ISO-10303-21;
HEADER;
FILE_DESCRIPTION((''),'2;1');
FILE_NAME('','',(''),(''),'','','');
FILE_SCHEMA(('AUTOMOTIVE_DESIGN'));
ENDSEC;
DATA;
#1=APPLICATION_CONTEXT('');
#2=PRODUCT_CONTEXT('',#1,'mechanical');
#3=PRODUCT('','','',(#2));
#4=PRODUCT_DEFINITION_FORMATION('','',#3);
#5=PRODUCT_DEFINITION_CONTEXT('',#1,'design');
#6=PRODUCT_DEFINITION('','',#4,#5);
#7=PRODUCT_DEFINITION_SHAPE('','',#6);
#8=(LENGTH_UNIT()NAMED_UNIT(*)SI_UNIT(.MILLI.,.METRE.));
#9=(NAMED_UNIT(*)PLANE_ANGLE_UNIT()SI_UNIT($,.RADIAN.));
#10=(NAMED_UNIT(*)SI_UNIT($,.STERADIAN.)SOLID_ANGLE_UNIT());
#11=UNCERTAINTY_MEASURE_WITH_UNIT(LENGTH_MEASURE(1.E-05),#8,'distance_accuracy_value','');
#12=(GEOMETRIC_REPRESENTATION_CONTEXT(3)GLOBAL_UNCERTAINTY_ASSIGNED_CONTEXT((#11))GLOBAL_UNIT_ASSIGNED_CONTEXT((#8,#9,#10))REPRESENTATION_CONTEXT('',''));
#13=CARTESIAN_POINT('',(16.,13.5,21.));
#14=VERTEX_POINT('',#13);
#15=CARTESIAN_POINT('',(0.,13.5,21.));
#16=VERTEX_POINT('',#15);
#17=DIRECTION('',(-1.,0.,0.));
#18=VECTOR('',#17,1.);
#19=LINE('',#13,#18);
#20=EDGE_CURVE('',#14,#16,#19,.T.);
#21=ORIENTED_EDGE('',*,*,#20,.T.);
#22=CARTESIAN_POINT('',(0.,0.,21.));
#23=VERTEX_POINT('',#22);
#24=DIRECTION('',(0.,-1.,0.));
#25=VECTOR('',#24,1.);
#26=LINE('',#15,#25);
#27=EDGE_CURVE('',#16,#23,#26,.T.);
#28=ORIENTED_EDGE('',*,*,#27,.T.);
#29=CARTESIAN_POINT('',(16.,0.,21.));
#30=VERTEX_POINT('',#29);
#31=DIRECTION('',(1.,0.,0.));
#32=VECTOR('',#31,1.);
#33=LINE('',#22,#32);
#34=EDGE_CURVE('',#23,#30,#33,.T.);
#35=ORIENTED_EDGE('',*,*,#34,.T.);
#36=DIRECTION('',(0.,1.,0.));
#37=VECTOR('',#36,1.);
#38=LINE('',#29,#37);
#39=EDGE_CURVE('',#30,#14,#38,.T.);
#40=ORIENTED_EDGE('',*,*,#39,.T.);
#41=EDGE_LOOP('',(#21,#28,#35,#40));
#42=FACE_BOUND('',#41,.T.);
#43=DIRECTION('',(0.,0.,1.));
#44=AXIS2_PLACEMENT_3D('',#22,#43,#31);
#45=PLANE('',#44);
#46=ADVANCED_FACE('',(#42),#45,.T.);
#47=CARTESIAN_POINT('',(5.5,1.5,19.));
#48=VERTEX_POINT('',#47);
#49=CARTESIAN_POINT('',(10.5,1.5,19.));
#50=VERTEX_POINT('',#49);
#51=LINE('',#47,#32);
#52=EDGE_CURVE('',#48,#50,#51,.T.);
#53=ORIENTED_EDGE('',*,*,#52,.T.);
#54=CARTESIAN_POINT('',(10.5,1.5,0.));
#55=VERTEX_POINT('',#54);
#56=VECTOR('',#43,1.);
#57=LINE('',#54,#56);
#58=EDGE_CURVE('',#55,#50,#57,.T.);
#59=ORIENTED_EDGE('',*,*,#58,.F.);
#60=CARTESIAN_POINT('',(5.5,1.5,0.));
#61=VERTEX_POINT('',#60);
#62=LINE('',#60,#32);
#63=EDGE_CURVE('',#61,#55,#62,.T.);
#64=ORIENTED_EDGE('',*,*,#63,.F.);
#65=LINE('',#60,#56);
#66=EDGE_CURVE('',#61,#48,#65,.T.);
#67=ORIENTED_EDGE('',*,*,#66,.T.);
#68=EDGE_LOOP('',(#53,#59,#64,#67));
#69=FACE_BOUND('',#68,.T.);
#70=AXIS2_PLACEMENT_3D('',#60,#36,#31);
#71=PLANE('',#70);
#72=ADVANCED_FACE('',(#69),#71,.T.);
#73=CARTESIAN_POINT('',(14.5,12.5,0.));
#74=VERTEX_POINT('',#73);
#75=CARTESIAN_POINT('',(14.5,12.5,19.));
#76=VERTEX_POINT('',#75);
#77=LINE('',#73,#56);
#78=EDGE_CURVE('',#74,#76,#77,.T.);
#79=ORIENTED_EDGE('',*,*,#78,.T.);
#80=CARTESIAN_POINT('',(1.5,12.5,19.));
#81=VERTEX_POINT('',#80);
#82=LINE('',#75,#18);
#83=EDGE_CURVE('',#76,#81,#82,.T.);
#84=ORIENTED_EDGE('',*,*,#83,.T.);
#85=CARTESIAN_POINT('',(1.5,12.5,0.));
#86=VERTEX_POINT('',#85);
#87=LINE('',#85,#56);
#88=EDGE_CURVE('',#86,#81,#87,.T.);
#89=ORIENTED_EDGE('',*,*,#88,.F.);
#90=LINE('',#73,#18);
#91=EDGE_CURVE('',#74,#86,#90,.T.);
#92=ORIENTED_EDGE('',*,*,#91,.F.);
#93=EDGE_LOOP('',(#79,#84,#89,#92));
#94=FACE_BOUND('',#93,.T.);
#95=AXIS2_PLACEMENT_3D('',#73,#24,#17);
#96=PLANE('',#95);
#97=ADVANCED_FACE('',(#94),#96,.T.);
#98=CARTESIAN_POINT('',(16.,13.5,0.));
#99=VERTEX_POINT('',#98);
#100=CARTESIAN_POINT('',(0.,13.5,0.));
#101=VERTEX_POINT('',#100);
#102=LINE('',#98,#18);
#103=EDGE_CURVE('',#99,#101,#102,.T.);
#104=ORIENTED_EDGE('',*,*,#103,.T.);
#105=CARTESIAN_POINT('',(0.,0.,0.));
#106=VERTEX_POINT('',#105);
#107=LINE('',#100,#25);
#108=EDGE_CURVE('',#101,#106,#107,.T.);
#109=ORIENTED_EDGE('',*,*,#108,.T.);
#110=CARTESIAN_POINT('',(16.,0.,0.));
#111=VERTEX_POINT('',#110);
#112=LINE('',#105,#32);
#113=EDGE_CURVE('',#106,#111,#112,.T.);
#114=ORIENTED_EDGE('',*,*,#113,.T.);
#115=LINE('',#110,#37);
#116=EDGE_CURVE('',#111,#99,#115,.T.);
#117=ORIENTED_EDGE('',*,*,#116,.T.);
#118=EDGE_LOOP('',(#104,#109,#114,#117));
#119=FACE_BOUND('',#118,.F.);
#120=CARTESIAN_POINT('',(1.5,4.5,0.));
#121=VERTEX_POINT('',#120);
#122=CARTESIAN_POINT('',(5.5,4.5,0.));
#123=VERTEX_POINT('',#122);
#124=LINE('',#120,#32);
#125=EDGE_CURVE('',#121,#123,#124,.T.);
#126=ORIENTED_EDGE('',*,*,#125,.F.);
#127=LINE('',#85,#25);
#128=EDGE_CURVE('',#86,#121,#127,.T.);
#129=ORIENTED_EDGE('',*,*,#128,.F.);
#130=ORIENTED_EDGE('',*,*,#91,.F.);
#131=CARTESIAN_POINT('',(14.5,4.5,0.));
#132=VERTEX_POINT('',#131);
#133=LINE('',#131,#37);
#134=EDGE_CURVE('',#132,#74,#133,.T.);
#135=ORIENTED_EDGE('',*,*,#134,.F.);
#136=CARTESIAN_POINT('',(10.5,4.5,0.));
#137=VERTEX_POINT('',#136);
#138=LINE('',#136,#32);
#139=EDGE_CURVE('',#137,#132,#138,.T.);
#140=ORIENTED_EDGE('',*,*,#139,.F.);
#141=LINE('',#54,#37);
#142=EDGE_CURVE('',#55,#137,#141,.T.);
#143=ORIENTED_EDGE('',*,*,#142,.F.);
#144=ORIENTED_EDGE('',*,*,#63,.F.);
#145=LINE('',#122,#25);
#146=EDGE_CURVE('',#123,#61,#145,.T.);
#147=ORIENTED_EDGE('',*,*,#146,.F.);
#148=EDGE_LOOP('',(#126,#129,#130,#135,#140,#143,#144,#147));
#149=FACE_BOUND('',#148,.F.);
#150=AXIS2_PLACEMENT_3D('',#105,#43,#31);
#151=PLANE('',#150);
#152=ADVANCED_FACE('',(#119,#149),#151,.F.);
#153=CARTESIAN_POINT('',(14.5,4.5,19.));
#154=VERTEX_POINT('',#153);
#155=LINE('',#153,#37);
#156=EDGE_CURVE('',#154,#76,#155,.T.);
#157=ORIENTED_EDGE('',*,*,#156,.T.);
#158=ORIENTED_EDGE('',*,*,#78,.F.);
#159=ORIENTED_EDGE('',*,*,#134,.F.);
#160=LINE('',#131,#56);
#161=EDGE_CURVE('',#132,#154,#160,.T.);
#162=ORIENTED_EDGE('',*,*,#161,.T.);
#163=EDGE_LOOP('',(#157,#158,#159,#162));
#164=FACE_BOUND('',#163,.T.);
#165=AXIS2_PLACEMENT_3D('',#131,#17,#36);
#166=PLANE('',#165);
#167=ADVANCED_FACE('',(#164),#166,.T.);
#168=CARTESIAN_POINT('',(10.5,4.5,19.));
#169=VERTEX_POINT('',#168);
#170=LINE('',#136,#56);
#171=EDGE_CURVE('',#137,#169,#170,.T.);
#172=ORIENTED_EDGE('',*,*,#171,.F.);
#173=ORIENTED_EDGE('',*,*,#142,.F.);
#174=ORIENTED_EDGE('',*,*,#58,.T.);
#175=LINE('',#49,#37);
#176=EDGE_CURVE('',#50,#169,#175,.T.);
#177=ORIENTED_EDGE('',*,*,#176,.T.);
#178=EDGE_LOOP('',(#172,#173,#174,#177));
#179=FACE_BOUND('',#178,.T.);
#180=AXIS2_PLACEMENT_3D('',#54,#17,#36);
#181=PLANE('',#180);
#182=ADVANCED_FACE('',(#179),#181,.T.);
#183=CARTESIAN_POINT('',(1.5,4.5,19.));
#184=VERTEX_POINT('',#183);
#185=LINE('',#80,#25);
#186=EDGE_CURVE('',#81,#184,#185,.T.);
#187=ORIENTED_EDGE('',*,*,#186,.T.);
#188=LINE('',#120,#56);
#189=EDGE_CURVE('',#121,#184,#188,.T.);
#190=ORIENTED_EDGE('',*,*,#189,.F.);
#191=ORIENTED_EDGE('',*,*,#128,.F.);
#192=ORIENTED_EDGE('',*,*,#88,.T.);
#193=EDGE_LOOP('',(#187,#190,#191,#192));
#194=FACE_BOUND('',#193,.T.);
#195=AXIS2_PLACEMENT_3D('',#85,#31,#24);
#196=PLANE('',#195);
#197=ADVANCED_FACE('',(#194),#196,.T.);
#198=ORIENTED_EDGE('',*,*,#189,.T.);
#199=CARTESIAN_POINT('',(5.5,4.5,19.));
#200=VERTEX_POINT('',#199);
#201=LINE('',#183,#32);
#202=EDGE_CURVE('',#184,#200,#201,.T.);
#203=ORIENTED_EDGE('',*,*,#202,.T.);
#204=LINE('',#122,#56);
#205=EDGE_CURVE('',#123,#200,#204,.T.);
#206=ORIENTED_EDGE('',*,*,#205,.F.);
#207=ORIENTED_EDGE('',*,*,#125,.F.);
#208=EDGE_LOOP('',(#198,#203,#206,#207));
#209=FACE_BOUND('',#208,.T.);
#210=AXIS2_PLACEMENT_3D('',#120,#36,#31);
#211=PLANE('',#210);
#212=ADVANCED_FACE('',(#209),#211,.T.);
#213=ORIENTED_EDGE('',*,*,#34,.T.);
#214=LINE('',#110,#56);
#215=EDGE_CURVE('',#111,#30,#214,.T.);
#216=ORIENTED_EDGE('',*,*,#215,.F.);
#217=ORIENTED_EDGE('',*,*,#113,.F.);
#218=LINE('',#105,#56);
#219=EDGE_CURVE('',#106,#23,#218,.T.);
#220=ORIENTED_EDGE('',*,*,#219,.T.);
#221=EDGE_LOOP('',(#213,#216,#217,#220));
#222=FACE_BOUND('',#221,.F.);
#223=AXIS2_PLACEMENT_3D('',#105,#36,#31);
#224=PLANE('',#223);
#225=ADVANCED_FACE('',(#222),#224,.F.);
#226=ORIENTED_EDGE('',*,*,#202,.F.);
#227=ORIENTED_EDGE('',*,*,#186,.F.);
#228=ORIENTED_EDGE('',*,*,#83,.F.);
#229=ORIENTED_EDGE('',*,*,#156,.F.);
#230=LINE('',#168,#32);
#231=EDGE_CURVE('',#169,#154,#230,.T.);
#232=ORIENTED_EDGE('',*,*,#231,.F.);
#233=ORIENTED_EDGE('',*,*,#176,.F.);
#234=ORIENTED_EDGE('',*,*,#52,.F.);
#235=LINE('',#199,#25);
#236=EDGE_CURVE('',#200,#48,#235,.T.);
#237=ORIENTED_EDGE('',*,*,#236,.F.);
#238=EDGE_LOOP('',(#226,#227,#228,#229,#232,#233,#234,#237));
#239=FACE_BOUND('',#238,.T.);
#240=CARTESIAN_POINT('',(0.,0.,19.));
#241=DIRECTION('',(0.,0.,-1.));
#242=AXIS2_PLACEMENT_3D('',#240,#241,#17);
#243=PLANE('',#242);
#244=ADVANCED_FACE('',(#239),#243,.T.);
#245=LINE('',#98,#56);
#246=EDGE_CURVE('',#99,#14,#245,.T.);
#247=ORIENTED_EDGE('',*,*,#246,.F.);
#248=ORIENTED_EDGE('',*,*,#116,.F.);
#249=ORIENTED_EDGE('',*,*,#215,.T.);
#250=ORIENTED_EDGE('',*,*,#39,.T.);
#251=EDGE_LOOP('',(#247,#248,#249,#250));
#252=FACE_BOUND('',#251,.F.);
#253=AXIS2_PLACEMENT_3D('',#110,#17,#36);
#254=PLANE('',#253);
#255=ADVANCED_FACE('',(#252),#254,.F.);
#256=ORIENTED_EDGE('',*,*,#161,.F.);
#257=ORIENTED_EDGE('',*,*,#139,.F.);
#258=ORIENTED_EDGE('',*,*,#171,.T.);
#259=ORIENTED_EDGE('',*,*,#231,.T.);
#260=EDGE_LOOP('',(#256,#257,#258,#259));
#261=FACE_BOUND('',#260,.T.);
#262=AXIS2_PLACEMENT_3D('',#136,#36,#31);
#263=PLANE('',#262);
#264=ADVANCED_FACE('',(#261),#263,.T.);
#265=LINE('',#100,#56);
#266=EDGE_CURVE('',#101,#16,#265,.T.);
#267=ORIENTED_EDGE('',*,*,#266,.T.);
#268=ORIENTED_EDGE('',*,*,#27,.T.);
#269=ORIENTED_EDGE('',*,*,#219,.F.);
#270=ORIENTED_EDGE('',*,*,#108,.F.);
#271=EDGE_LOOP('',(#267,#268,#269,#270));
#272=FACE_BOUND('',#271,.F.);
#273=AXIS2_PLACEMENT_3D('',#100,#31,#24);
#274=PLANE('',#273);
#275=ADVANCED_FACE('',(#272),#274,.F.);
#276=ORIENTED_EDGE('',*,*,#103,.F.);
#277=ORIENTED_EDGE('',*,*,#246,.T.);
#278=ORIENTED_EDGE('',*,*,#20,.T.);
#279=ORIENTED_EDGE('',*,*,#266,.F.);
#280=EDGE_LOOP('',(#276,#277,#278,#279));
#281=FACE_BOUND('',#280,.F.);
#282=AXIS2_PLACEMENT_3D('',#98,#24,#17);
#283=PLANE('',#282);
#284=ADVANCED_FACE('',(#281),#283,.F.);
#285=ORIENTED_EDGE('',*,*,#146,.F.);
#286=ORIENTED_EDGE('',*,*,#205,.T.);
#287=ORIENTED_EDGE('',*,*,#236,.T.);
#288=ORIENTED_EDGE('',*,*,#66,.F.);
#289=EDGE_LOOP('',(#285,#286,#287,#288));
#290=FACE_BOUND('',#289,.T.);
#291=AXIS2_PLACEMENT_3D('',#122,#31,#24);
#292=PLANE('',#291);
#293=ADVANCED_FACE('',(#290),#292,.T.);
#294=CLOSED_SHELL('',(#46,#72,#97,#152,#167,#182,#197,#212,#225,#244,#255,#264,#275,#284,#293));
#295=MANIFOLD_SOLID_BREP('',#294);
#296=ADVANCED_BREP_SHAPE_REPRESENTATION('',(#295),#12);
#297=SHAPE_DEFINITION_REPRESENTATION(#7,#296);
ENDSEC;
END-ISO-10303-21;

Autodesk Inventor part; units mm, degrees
ref_plane "YZ Plane" through (0, 0, 0) normal (1, 0, 0) x (0, 1, 0)
ref_plane "XZ Plane" through (0, 0, 0) normal (0, 1, 0) x (-1, 0, 0)
ref_plane "XY Plane" through (0, 0, 0) normal (0, 0, 1) x (1, 0, 0)
sketch "Sketch1" plane through (0, 0, 0) normal (0, 0, 1) x (1, 0, 0)
  line L0 (0, 0) -> (16, 0)
  line L1 (16, 0) -> (16, 13.5)
  line L2 (16, 13.5) -> (0, 13.5)
  line L3 (0, 13.5) -> (0, 0)
  dimension "d0" = 16
  dimension "d1" = 13.5
extrude "Extrusion1" add sketch "Sketch1" along normal blind 21
sketch "Esquisse3" plane through (0, 0, 0) normal (0, 0, -1) x (-1, 0, 0)
  line L0 (0, 0) -> (-16, 0) construction
  line L1 (0, 13.5) -> (0, 0) construction
  line L2 (-16, 13.5) -> (0, 13.5) construction
  line L3 (-16, 0) -> (-16, 13.5) construction
  line L4 (-14.5, 12.5) -> (-1.5, 12.5) construction
  line L5 (-1.5, 12.5) -> (-1.5, 4.5) construction
  line L6 (-1.5, 4.5) -> (-14.5, 4.5) construction
  line L7 (-14.5, 4.5) -> (-14.5, 12.5) construction
  line L8 (-5.5, 4.5) -> (-10.5, 4.5) construction
  line L9 (-10.5, 4.5) -> (-10.5, 1.5) construction
  line L10 (-10.5, 1.5) -> (-5.5, 1.5) construction
  line L11 (-5.5, 1.5) -> (-5.5, 4.5) construction
  line L12 (-8, 0) -> (-8, 13.5) construction
  line L13 (-14.5, 12.5) -> (-1.5, 12.5)
  line L14 (-1.5, 12.5) -> (-1.5, 4.5)
  line L15 (-1.5, 4.5) -> (-5.5, 4.5)
  line L16 (-5.5, 4.5) -> (-5.5, 1.5)
  line L17 (-5.5, 1.5) -> (-10.5, 1.5)
  line L18 (-10.5, 1.5) -> (-10.5, 4.5)
  line L19 (-10.5, 4.5) -> (-14.5, 4.5)
  line L20 (-14.5, 4.5) -> (-14.5, 12.5)
  dimension "d6" = 13
  dimension "d7" = 3
  dimension "d8" = 8
  dimension "d9" = 1
  dimension "d10" = 5
extrude "Extrusion2" cut sketch "Esquisse3" against normal blind 19
properties part number "R004"
